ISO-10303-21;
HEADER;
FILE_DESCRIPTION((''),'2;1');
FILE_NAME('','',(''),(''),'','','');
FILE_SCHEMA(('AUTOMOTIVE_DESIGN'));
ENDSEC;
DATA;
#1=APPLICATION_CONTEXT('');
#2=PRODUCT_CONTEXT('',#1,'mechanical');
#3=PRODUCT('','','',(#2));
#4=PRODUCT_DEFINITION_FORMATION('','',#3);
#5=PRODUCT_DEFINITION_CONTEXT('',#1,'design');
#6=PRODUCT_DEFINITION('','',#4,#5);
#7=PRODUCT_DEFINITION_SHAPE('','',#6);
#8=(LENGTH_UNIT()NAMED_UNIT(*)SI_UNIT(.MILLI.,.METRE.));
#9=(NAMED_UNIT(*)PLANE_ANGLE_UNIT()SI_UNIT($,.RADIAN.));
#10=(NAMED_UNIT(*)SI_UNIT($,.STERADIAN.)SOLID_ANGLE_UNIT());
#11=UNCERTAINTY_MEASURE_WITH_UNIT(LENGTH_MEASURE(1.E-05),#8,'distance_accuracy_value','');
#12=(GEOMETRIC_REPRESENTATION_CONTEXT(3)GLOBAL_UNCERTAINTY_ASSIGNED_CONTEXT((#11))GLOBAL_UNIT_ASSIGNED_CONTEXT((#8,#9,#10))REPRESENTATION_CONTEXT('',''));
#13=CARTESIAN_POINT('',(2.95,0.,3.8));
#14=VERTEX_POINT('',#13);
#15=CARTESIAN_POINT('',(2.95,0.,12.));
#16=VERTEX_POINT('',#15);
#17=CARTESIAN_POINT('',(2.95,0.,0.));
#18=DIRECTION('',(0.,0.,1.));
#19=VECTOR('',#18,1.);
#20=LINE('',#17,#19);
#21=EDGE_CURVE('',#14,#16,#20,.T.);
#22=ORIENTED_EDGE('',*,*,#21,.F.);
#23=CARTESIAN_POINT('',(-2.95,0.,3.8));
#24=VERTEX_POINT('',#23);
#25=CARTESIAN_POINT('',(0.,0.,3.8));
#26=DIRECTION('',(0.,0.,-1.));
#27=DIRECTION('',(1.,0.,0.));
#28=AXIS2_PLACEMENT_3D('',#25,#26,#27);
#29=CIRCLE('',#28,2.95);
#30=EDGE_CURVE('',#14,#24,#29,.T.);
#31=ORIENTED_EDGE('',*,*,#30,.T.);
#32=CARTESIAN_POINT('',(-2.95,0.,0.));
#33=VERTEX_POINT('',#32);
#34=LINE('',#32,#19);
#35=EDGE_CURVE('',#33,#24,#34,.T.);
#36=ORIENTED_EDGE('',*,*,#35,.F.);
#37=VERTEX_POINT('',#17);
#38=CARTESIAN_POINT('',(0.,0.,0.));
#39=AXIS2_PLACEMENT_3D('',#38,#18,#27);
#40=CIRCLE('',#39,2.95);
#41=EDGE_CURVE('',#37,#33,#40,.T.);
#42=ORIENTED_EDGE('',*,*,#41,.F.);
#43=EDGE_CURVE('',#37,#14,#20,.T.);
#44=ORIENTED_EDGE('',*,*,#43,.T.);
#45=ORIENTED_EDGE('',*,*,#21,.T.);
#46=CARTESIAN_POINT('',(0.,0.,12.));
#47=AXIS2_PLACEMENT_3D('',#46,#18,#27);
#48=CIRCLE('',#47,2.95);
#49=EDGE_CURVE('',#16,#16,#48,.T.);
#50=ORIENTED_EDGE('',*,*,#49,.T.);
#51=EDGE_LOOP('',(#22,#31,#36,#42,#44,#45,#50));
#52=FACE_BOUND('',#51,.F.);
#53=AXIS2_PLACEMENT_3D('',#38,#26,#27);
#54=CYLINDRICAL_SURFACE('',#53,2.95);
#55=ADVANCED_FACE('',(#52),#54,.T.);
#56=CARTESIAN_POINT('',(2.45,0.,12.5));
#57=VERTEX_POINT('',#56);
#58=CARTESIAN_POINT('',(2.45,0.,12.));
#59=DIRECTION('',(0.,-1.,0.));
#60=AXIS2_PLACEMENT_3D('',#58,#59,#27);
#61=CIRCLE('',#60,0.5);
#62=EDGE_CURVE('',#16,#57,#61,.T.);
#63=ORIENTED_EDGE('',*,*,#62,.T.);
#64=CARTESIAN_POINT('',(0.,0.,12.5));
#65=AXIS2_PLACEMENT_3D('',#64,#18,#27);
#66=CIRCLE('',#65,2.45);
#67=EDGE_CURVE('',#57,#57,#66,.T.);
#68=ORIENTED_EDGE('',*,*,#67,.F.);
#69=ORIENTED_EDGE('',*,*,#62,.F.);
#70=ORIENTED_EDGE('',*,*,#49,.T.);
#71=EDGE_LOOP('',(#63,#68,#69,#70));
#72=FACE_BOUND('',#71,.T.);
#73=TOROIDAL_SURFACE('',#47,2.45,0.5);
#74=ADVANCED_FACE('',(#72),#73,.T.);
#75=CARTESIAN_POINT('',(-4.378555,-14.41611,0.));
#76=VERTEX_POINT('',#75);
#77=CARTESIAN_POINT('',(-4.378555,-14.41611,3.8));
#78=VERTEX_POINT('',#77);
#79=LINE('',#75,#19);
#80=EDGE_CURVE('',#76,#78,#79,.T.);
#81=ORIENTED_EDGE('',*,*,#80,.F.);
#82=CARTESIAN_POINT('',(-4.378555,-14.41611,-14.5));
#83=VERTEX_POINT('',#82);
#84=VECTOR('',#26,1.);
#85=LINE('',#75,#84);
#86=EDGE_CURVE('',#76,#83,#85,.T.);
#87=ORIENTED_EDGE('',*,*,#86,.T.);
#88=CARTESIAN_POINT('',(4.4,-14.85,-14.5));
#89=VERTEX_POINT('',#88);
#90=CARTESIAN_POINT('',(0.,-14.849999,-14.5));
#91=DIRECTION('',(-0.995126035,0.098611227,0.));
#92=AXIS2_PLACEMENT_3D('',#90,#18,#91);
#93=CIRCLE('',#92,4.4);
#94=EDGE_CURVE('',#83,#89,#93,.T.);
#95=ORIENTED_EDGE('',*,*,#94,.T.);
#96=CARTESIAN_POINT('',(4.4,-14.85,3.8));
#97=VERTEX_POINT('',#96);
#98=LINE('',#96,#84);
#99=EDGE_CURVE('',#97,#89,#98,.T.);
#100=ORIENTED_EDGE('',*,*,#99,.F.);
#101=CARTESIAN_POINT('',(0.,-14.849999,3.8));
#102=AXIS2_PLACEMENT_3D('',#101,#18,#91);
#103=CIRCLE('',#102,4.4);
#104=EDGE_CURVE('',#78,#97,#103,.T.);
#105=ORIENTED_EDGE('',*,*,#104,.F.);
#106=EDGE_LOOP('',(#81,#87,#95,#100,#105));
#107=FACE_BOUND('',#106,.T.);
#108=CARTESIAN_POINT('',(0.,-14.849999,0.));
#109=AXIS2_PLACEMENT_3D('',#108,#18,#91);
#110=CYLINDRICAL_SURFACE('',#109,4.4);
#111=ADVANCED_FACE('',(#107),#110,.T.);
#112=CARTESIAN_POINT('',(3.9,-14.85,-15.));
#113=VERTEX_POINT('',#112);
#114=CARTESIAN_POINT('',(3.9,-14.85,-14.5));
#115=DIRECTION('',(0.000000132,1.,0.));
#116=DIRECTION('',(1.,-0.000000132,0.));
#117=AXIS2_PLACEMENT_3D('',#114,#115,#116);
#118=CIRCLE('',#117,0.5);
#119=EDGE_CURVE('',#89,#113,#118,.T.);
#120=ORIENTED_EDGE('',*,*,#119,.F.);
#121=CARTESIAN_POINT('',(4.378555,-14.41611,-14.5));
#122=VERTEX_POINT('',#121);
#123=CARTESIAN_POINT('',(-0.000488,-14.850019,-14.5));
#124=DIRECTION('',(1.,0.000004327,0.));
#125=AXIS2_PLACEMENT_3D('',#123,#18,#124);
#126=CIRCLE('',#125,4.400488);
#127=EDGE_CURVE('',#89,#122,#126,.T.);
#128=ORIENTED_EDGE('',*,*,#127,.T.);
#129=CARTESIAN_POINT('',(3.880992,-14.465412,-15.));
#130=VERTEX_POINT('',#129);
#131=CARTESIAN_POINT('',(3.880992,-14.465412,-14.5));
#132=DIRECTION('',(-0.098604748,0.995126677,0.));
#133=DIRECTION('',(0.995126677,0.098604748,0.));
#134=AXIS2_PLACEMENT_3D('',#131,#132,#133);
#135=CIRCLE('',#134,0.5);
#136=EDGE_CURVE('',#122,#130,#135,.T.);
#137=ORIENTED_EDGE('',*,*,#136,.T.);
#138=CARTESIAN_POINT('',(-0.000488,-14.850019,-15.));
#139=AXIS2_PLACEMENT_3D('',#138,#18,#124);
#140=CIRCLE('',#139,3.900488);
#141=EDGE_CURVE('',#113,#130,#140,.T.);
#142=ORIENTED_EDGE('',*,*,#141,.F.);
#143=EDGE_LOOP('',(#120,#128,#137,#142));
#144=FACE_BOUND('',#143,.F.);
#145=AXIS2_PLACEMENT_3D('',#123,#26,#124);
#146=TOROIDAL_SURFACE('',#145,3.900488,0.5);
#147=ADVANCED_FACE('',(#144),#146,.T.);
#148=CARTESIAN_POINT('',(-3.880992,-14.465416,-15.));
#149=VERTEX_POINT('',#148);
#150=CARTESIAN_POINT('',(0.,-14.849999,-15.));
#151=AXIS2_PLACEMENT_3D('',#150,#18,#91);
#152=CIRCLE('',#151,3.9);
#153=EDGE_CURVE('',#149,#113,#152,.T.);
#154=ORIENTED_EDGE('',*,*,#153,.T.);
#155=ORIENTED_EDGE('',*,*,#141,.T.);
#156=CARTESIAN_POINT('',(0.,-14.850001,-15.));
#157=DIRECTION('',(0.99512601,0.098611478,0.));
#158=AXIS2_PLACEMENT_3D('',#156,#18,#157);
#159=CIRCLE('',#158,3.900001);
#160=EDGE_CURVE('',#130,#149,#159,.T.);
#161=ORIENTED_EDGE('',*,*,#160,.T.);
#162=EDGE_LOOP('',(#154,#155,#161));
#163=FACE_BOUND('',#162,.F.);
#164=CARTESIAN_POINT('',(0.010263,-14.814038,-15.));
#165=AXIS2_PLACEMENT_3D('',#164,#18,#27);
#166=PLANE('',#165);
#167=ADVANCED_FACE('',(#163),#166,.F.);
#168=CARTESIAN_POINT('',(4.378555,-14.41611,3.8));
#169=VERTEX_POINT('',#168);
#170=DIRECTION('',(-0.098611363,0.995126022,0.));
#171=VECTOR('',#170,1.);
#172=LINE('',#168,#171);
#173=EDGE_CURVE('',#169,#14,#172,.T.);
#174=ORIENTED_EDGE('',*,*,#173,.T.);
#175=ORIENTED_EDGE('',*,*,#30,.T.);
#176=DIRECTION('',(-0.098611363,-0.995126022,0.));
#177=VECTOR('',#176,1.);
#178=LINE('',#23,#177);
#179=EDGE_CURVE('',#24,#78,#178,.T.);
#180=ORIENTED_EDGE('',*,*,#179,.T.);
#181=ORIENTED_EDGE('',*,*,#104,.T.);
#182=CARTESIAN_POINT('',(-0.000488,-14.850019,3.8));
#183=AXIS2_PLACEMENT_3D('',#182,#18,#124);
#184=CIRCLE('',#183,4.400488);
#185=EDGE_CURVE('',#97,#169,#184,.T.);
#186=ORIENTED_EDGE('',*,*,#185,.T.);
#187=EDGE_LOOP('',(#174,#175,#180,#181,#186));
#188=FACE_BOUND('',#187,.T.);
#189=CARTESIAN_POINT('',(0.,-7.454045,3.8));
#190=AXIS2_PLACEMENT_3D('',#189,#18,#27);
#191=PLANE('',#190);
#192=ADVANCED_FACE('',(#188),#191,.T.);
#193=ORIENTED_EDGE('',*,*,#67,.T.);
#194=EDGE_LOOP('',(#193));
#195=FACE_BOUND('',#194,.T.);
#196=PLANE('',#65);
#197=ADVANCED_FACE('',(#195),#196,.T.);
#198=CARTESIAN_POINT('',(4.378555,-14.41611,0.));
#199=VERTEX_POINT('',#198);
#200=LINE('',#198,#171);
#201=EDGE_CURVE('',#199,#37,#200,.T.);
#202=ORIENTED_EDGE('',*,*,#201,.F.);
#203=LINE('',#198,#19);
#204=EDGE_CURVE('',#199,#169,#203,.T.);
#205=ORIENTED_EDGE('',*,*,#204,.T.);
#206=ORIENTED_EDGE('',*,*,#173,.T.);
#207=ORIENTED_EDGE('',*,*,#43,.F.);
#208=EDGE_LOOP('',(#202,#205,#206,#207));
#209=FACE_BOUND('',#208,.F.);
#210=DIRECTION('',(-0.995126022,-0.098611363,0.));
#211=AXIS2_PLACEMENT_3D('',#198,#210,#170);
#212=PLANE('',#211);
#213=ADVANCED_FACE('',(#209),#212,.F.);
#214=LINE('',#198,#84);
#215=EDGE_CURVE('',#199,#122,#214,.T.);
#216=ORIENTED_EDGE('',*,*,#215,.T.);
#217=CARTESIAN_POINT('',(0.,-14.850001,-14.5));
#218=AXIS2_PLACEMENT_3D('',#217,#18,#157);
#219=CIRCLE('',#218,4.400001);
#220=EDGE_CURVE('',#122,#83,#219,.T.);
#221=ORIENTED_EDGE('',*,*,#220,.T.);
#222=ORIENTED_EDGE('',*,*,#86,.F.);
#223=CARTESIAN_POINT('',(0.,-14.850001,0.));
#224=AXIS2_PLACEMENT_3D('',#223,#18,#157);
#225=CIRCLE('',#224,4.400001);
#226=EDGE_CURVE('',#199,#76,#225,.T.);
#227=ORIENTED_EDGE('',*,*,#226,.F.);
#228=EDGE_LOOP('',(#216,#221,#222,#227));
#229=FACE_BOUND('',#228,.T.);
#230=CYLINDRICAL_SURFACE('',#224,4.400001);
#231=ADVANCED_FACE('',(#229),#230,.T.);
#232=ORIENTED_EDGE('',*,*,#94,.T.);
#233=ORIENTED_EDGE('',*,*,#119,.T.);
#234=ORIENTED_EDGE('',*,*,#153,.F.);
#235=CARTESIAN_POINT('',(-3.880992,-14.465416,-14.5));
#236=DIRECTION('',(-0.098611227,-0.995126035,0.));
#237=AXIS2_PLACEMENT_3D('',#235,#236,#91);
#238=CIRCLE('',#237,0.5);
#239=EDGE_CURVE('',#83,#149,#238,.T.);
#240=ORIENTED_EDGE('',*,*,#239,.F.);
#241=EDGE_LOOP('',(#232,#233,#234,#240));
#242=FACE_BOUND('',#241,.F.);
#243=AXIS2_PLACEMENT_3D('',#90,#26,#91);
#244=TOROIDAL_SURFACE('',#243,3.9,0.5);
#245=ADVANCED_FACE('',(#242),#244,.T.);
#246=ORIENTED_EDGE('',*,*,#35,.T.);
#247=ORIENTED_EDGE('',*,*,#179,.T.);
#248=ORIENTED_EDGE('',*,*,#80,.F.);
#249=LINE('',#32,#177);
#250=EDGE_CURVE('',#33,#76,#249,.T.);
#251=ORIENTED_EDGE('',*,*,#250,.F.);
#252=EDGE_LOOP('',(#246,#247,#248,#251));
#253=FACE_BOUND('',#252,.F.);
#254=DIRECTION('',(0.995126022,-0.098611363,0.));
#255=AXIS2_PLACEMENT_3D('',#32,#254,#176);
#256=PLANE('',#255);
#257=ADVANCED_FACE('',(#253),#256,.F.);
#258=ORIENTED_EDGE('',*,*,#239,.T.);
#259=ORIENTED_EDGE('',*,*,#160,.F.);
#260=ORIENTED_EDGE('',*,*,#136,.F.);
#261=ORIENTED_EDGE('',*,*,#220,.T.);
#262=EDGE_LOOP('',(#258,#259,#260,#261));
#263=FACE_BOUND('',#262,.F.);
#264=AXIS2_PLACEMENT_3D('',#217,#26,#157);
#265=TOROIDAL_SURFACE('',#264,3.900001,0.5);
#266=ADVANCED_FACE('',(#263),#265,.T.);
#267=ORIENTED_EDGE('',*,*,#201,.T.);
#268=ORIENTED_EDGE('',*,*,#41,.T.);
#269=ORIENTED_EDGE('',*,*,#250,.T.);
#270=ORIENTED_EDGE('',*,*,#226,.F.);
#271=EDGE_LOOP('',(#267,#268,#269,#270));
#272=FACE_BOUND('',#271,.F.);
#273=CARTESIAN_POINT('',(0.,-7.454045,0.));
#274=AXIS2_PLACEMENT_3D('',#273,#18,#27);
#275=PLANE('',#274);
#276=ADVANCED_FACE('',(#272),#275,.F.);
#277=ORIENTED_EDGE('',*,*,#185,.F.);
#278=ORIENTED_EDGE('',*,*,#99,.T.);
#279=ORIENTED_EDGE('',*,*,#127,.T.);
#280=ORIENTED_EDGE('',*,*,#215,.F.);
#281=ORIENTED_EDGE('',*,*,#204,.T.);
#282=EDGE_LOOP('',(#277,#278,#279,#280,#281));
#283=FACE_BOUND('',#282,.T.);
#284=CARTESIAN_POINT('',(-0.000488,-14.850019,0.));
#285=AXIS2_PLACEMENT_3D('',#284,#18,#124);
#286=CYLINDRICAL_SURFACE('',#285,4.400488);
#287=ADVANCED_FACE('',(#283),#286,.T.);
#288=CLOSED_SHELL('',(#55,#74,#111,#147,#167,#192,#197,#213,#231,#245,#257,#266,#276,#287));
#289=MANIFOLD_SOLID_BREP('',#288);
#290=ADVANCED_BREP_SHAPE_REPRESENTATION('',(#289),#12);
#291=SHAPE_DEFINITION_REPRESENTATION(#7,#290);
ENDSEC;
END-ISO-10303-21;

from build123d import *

# Parameters (mm, degrees)
F1_DEPTH = 3.8
F2_DEPTH = 12.5
F3_DEPTH = 15
F4_R     = 0.5


with BuildPart() as f1:
    # F0 (on Top) → F1 (new body)
    with BuildSketch(Plane.XY):
        with BuildLine():
            Line((4.378555, -14.41611), (2.95, 0))
            ThreePointArc((2.95, 0), (0, -2.95), (-2.95, 0))
            Line((-2.95, 0), (-4.378555, -14.41611))
            ThreePointArc((-4.378555, -14.41611), (0, -10.45), (4.378555, -14.41611))
        make_face()
        with BuildLine():
            ThreePointArc((4.4, -14.85), (4.394635, -14.63279), (4.378555, -14.41611))
            ThreePointArc((4.378555, -14.41611), (0, -10.45), (-4.378555, -14.41611))
            ThreePointArc((-4.378555, -14.41611), (-0.21721, -19.244635), (4.4, -14.85))
        make_face()
        with BuildLine():
            ThreePointArc((-2.95, 0), (0, -2.95), (2.95, 0))
            ThreePointArc((2.95, 0), (0, 2.95), (-2.95, 0))
        make_face()
    extrude(amount=F1_DEPTH)

    # F0 (on Top) → F2 (join)
    with BuildSketch(Plane.XY):
        with BuildLine():
            ThreePointArc((-2.95, 0), (0, -2.95), (2.95, 0))
            ThreePointArc((2.95, 0), (0, 2.95), (-2.95, 0))
        make_face()
    extrude(amount=F2_DEPTH)

    # F0 (on Top) → F3 (join)
    with BuildSketch(Plane.XY):
        with BuildLine():
            ThreePointArc((4.4, -14.85), (4.394635, -14.63279), (4.378555, -14.41611))
            ThreePointArc((4.378555, -14.41611), (0, -10.45), (-4.378555, -14.41611))
            ThreePointArc((-4.378555, -14.41611), (-0.21721, -19.244635), (4.4, -14.85))
        make_face()
    extrude(amount=-F3_DEPTH)

    # F4
    f4_edges = [f1.edges().sort_by_distance(p)[0] for p in [
        (-2.95, 0, 12.5),
        (-4.4, -14.85, -15),
    ]]
    fillet(f4_edges, radius=F4_R)


solid = f1.part
